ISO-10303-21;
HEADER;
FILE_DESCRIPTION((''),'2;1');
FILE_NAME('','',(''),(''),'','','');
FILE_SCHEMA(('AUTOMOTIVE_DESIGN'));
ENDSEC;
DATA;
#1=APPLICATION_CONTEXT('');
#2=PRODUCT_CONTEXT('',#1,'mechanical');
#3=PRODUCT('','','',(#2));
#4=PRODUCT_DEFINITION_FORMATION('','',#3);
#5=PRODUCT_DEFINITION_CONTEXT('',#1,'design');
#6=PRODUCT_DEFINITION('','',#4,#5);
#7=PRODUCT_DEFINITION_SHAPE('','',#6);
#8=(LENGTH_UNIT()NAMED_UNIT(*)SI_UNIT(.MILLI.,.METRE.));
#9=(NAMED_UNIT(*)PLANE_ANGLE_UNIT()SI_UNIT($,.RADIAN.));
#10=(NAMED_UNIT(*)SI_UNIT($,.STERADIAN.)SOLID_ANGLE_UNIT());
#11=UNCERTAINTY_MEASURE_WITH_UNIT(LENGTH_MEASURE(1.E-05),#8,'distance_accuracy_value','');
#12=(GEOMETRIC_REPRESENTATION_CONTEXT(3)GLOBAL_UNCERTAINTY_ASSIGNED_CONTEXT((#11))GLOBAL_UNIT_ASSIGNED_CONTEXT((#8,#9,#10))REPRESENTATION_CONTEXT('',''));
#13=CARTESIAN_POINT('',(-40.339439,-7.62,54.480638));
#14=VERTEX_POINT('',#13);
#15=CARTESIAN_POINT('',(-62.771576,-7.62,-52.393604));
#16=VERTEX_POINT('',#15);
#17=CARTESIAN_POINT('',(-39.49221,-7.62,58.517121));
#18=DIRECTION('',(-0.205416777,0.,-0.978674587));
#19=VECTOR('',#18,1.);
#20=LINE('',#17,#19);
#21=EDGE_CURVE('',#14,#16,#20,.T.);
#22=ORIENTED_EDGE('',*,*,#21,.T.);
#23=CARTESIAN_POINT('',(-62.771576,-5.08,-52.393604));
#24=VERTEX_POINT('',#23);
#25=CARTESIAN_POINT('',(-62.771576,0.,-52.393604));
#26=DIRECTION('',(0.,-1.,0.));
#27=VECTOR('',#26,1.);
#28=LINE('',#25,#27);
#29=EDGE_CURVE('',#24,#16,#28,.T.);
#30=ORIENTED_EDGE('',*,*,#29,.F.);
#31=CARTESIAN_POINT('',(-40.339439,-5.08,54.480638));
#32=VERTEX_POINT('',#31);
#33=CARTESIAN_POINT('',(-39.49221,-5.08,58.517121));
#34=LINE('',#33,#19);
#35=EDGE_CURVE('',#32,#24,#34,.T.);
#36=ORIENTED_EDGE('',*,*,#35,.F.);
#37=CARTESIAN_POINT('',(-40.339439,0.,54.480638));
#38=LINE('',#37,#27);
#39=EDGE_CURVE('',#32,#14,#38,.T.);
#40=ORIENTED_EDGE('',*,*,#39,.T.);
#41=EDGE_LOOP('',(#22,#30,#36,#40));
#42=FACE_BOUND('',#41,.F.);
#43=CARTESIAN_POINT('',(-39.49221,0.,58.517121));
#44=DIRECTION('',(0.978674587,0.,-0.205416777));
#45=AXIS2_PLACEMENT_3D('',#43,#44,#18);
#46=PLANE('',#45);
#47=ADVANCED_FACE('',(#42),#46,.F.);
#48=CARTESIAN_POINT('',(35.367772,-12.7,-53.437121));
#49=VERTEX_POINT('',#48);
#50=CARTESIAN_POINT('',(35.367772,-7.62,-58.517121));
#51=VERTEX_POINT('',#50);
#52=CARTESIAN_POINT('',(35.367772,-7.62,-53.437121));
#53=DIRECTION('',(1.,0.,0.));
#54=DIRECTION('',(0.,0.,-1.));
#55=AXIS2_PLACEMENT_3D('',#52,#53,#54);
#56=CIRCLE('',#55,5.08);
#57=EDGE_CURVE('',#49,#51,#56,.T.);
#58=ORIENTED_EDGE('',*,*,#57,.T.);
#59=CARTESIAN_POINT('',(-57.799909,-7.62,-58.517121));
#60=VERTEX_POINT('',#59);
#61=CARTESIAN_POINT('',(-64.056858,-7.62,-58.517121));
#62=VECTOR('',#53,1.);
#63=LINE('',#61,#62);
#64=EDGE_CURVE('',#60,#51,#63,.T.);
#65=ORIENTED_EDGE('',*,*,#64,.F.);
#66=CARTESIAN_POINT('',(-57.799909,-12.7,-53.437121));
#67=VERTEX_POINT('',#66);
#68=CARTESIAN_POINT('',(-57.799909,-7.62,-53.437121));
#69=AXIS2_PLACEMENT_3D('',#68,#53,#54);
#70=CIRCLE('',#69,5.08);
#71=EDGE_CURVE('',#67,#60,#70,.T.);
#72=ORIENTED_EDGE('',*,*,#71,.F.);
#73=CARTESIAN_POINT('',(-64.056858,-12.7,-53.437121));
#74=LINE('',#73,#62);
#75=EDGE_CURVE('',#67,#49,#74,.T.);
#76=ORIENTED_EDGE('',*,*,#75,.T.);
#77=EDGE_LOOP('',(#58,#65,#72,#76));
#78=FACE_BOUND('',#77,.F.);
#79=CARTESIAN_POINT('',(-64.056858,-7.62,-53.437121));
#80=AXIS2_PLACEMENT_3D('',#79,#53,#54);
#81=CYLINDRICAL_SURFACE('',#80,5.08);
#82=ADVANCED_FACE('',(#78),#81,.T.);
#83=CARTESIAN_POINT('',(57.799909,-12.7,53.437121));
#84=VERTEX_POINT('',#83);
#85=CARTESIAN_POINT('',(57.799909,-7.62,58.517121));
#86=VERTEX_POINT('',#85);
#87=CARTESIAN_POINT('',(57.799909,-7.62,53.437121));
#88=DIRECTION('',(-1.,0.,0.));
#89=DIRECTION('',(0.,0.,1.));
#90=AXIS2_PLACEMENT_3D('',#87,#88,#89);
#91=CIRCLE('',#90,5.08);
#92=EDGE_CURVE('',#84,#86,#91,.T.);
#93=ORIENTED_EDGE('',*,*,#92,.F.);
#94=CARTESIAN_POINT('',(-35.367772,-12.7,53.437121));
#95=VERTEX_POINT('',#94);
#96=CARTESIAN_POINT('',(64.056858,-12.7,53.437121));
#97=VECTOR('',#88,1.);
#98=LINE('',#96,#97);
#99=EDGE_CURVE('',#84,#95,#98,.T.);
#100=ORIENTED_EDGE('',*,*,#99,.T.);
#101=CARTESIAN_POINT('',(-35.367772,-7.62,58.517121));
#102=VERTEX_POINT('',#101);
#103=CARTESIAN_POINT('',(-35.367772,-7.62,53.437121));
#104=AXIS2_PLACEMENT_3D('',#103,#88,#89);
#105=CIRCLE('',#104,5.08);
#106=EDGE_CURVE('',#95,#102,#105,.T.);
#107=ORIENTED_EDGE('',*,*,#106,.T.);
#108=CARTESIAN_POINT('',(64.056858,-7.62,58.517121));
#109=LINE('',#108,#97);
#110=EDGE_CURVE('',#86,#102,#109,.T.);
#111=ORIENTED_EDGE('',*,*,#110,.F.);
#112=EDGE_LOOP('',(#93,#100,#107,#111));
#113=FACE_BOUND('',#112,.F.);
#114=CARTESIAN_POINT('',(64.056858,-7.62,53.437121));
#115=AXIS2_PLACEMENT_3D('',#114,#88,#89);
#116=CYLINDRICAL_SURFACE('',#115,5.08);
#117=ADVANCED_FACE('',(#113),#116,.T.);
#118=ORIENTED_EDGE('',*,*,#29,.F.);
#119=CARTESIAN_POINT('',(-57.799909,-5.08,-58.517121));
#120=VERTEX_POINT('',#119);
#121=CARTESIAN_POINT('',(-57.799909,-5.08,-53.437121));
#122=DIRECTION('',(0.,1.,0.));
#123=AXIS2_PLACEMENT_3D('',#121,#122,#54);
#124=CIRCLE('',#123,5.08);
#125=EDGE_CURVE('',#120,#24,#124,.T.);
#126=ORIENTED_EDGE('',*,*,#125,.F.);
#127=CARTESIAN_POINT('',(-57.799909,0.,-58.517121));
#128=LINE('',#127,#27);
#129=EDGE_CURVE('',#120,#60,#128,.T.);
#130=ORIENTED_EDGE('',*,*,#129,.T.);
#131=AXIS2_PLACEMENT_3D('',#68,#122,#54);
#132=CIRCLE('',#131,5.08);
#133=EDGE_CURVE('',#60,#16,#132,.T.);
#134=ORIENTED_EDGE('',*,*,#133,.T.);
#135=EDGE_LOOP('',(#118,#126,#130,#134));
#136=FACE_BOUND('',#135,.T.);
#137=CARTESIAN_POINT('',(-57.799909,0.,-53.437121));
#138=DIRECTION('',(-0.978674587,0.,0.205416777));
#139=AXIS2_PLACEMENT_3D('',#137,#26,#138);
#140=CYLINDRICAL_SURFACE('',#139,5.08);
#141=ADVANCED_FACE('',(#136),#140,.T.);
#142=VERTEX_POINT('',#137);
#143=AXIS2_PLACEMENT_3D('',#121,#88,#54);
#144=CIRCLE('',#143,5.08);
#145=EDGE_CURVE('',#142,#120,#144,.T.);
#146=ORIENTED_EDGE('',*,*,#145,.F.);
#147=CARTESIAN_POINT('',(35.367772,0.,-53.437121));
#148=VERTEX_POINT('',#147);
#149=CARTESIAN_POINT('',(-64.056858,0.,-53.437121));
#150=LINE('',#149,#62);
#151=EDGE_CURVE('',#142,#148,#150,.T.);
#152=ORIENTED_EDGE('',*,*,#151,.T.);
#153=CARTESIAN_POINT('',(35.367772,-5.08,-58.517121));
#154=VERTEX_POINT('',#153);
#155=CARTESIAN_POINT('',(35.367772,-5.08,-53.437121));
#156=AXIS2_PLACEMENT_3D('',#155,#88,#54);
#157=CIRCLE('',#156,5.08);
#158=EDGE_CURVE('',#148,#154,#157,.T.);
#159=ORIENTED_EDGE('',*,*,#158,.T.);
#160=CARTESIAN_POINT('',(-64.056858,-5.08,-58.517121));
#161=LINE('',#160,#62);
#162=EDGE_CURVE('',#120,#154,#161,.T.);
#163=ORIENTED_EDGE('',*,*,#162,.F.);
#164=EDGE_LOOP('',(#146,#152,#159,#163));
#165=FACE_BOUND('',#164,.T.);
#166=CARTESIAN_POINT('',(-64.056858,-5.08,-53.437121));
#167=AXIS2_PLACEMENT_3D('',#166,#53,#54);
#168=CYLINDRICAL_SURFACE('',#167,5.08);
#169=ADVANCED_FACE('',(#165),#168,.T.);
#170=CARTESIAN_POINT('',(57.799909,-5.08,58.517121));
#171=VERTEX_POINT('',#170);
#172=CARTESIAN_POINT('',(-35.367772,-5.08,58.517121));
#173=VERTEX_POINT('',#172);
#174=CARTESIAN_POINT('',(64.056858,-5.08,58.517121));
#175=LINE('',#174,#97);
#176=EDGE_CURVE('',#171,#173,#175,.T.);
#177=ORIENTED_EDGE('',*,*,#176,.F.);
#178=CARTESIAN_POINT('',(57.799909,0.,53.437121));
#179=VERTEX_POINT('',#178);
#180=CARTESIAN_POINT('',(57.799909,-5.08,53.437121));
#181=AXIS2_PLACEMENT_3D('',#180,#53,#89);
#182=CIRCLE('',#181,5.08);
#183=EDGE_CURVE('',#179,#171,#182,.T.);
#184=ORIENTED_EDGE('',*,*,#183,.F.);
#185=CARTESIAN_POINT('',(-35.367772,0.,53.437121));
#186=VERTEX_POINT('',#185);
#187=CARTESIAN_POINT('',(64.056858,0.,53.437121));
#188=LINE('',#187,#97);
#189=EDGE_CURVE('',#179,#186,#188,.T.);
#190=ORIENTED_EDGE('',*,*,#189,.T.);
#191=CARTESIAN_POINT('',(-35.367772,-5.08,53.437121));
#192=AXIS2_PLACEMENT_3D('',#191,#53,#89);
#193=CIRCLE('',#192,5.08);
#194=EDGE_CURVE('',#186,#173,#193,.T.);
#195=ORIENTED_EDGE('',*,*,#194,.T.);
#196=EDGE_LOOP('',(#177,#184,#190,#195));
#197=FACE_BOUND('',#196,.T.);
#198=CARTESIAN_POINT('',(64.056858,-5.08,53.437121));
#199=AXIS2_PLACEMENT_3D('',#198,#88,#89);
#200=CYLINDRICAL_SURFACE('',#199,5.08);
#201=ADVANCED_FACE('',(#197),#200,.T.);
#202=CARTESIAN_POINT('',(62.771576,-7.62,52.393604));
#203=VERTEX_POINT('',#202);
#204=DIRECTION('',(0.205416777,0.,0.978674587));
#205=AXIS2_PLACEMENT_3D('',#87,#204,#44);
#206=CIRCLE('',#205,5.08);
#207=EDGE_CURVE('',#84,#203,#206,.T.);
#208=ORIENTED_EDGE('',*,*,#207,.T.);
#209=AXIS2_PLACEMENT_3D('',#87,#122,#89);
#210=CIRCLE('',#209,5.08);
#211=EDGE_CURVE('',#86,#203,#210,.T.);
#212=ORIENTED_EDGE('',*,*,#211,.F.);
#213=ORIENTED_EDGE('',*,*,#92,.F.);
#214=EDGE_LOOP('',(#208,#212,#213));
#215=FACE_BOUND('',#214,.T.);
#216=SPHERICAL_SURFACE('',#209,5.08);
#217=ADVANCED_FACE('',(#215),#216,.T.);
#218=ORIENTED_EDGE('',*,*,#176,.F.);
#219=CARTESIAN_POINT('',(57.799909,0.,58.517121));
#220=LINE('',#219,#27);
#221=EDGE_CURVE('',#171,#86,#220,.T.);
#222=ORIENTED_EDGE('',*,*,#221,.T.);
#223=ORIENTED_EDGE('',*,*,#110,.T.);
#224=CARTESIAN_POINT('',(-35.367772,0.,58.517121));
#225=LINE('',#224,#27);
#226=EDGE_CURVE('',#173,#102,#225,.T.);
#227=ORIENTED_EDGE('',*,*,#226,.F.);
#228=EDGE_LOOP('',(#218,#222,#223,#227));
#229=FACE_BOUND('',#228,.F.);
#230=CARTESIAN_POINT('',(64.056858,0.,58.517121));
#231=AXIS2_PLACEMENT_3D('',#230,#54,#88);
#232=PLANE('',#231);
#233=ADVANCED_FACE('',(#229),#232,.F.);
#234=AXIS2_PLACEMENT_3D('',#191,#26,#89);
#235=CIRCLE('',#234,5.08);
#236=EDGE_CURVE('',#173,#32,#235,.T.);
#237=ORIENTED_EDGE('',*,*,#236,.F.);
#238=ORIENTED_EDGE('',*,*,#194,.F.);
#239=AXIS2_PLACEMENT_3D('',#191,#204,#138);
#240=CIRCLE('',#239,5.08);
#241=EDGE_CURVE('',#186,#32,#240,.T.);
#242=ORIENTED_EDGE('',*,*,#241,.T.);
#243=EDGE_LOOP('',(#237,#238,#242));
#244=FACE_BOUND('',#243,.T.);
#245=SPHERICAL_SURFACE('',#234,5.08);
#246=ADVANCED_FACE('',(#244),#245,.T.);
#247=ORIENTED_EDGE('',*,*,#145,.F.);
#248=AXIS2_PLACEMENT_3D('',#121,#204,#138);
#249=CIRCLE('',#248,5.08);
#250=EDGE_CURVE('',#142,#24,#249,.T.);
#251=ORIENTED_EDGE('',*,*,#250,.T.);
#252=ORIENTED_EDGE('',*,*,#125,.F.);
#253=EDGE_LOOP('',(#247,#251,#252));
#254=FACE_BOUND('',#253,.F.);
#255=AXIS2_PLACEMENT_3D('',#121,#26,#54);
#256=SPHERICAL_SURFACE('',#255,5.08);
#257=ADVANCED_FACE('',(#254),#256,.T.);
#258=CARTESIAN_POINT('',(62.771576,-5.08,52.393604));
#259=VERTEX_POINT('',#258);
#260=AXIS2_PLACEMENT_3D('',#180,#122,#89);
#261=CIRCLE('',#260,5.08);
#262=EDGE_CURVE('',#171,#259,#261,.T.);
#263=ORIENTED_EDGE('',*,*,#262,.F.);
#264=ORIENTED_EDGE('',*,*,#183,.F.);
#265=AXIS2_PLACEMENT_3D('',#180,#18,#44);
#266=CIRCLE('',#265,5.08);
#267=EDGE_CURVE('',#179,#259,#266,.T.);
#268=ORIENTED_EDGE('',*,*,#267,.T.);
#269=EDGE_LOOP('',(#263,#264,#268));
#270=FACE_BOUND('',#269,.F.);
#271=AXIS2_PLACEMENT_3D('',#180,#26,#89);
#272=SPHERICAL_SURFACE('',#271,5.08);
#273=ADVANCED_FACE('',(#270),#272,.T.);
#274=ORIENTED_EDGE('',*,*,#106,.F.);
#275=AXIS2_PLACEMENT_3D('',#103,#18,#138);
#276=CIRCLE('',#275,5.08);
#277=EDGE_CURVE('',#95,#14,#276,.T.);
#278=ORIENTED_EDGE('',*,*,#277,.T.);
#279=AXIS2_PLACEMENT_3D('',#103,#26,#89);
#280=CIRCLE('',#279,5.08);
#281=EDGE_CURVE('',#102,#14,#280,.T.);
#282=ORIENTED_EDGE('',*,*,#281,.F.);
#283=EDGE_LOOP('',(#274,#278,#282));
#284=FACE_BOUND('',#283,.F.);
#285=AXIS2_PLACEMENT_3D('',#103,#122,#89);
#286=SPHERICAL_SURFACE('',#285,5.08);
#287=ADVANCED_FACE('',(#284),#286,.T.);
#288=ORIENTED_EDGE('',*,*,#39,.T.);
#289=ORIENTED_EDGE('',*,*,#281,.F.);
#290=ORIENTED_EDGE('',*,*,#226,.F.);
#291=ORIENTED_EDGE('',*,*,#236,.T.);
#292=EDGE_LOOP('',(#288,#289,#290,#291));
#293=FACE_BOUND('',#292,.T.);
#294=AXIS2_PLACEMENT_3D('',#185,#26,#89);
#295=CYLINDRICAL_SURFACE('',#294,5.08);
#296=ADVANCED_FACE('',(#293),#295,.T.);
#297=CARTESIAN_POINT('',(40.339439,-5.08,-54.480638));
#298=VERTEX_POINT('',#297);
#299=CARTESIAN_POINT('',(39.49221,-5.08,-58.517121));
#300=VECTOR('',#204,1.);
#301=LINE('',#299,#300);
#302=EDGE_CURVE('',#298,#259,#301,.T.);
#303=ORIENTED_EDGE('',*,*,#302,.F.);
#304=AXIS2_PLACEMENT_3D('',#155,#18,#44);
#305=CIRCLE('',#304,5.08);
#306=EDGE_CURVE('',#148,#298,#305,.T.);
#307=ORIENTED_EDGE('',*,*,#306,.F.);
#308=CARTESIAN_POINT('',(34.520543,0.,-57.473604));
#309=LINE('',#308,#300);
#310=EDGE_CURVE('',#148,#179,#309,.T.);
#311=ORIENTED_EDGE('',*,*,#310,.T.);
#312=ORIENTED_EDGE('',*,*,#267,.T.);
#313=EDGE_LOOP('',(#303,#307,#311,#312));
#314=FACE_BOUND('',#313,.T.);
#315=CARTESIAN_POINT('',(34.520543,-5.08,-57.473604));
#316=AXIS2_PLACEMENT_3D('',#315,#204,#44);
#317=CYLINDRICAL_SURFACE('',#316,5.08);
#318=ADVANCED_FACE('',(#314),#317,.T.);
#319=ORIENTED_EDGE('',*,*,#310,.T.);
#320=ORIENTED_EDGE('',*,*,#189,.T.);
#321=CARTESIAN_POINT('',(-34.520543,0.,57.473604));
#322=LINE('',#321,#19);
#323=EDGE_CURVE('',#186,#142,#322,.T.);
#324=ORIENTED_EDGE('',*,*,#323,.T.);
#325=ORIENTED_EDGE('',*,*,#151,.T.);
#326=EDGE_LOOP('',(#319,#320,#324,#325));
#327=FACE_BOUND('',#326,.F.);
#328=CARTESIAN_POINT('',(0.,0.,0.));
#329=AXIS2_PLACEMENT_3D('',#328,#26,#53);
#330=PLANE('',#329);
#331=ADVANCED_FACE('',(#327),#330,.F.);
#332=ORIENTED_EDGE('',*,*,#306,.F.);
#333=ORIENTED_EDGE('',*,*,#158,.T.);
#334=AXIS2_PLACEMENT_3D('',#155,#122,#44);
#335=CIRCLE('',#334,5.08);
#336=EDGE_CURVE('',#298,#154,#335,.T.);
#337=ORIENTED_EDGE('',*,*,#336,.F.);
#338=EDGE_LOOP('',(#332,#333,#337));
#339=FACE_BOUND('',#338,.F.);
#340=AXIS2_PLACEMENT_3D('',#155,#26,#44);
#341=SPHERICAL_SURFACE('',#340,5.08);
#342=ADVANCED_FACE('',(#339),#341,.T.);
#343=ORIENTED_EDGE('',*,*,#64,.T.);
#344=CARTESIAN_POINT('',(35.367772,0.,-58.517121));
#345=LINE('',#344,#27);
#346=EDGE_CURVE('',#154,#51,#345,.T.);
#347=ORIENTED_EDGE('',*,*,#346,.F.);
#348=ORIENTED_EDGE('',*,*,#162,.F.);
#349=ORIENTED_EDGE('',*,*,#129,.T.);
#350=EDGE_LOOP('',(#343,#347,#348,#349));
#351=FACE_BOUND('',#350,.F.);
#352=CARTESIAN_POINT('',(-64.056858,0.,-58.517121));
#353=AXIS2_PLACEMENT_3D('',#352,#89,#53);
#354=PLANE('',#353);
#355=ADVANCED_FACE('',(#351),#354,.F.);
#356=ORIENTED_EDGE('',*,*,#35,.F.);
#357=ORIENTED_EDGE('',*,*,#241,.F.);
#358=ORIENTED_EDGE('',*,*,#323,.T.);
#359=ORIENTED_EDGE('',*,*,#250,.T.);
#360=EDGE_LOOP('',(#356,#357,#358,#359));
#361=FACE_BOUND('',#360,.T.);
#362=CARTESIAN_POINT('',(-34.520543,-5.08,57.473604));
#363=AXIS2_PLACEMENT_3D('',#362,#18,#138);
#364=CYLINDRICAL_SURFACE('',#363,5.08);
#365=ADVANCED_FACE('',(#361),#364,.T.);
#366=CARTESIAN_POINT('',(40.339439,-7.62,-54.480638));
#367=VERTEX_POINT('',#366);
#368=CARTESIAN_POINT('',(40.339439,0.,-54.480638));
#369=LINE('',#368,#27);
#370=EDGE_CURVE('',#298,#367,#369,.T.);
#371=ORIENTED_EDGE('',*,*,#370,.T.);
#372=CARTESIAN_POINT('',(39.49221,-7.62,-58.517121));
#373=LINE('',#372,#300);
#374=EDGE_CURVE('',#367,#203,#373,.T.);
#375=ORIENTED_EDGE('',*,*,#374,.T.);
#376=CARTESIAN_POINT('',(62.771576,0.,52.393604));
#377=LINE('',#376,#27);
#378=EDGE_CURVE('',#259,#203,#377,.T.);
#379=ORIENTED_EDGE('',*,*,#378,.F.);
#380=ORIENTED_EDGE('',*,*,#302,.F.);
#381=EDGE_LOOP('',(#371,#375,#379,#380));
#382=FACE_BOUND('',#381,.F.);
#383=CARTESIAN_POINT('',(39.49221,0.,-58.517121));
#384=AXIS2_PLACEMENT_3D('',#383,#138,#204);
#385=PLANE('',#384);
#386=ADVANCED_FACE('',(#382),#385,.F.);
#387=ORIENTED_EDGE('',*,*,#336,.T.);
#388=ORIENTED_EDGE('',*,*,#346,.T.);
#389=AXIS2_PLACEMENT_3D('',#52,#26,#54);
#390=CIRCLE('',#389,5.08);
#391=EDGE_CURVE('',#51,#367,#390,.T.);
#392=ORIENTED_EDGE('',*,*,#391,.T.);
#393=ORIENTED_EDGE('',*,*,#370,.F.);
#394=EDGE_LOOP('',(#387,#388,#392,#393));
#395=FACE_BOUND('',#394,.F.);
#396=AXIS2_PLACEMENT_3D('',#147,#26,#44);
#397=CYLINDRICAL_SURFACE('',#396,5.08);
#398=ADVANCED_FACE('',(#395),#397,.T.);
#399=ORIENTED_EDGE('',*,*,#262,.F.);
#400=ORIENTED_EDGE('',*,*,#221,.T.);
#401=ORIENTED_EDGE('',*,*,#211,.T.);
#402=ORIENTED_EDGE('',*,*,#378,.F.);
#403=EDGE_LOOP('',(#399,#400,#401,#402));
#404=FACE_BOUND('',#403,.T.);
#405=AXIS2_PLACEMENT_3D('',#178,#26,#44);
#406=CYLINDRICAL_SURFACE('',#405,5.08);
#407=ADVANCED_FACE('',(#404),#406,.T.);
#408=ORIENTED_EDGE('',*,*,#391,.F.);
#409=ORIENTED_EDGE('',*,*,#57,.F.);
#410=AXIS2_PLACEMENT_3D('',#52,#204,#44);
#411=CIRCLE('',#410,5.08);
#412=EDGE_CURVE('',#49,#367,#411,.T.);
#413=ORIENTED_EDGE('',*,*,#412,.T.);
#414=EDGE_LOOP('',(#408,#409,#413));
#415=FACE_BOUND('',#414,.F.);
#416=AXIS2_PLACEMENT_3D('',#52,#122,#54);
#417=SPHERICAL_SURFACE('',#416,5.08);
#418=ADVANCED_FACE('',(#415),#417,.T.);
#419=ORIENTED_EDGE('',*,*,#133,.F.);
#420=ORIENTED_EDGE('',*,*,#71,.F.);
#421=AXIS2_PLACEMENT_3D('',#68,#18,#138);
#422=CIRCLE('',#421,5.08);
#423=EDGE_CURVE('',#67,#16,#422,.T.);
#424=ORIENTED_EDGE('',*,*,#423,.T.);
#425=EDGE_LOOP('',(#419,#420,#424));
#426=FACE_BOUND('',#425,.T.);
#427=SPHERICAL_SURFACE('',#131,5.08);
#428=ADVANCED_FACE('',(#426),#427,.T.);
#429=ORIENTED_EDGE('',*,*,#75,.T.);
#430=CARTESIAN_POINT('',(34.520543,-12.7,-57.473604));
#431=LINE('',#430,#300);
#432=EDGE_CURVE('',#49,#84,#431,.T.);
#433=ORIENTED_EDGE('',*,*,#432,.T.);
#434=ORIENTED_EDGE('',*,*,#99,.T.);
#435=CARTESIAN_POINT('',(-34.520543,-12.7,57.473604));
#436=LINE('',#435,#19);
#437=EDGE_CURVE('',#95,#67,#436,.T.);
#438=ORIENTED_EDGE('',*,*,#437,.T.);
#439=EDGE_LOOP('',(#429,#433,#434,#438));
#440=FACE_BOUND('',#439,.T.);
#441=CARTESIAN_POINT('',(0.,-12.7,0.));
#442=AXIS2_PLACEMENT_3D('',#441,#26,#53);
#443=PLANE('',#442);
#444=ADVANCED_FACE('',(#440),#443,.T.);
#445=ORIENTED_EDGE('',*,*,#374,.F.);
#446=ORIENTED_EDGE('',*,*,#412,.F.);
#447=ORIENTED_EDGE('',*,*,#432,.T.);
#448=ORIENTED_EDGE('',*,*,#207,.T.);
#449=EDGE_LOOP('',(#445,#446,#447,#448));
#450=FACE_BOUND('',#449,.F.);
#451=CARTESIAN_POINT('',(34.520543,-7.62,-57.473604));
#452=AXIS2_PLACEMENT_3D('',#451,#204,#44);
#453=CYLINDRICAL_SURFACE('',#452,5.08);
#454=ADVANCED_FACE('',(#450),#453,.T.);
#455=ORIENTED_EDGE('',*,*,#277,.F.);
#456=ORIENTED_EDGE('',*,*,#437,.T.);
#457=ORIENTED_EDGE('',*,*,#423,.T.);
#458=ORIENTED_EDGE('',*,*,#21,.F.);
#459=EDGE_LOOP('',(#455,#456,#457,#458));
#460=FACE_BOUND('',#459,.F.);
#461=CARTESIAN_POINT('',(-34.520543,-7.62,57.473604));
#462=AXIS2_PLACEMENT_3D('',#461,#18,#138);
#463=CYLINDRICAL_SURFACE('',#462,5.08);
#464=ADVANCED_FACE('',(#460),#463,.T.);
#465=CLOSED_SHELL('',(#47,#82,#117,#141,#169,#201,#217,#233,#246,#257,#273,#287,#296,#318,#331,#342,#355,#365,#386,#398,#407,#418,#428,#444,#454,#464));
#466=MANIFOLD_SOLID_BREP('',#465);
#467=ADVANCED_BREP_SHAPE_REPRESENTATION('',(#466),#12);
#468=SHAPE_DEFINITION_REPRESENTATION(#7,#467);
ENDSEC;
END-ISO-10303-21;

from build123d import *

# Parameters (mm, degrees)
F1_DEPTH = 12.7
F2_R     = 5.08


with BuildPart() as f1:
    # F0 (on Front) → F1 (new body)
    with BuildSketch(Plane.XZ):
        Polygon((39.49221, -58.517121), (64.056858, 58.517121), (-39.49221, 58.517121), (-64.056858, -58.517121), align=None)
    extrude(amount=F1_DEPTH)

    # F2
    f2_edges = [f1.edges().sort_by_distance(p)[0] for p in [
        (51.774534, -12.7, 0),
        (39.49221, -6.35, -58.517121),
        (51.774534, 0, 0),
        (64.056858, -6.35, 58.517121),
        (-64.056858, -6.35, -58.517121),
        (-12.282324, 0, -58.517121),
        (-12.282324, -12.7, -58.517121),
        (-39.49221, -6.35, 58.517121),
        (12.282324, 0, 58.517121),
        (12.282324, -12.7, 58.517121),
        (-51.774534, 0, 0),
        (-51.774534, -12.7, 0),
    ]]
    fillet(f2_edges, radius=F2_R)


solid = f1.part
